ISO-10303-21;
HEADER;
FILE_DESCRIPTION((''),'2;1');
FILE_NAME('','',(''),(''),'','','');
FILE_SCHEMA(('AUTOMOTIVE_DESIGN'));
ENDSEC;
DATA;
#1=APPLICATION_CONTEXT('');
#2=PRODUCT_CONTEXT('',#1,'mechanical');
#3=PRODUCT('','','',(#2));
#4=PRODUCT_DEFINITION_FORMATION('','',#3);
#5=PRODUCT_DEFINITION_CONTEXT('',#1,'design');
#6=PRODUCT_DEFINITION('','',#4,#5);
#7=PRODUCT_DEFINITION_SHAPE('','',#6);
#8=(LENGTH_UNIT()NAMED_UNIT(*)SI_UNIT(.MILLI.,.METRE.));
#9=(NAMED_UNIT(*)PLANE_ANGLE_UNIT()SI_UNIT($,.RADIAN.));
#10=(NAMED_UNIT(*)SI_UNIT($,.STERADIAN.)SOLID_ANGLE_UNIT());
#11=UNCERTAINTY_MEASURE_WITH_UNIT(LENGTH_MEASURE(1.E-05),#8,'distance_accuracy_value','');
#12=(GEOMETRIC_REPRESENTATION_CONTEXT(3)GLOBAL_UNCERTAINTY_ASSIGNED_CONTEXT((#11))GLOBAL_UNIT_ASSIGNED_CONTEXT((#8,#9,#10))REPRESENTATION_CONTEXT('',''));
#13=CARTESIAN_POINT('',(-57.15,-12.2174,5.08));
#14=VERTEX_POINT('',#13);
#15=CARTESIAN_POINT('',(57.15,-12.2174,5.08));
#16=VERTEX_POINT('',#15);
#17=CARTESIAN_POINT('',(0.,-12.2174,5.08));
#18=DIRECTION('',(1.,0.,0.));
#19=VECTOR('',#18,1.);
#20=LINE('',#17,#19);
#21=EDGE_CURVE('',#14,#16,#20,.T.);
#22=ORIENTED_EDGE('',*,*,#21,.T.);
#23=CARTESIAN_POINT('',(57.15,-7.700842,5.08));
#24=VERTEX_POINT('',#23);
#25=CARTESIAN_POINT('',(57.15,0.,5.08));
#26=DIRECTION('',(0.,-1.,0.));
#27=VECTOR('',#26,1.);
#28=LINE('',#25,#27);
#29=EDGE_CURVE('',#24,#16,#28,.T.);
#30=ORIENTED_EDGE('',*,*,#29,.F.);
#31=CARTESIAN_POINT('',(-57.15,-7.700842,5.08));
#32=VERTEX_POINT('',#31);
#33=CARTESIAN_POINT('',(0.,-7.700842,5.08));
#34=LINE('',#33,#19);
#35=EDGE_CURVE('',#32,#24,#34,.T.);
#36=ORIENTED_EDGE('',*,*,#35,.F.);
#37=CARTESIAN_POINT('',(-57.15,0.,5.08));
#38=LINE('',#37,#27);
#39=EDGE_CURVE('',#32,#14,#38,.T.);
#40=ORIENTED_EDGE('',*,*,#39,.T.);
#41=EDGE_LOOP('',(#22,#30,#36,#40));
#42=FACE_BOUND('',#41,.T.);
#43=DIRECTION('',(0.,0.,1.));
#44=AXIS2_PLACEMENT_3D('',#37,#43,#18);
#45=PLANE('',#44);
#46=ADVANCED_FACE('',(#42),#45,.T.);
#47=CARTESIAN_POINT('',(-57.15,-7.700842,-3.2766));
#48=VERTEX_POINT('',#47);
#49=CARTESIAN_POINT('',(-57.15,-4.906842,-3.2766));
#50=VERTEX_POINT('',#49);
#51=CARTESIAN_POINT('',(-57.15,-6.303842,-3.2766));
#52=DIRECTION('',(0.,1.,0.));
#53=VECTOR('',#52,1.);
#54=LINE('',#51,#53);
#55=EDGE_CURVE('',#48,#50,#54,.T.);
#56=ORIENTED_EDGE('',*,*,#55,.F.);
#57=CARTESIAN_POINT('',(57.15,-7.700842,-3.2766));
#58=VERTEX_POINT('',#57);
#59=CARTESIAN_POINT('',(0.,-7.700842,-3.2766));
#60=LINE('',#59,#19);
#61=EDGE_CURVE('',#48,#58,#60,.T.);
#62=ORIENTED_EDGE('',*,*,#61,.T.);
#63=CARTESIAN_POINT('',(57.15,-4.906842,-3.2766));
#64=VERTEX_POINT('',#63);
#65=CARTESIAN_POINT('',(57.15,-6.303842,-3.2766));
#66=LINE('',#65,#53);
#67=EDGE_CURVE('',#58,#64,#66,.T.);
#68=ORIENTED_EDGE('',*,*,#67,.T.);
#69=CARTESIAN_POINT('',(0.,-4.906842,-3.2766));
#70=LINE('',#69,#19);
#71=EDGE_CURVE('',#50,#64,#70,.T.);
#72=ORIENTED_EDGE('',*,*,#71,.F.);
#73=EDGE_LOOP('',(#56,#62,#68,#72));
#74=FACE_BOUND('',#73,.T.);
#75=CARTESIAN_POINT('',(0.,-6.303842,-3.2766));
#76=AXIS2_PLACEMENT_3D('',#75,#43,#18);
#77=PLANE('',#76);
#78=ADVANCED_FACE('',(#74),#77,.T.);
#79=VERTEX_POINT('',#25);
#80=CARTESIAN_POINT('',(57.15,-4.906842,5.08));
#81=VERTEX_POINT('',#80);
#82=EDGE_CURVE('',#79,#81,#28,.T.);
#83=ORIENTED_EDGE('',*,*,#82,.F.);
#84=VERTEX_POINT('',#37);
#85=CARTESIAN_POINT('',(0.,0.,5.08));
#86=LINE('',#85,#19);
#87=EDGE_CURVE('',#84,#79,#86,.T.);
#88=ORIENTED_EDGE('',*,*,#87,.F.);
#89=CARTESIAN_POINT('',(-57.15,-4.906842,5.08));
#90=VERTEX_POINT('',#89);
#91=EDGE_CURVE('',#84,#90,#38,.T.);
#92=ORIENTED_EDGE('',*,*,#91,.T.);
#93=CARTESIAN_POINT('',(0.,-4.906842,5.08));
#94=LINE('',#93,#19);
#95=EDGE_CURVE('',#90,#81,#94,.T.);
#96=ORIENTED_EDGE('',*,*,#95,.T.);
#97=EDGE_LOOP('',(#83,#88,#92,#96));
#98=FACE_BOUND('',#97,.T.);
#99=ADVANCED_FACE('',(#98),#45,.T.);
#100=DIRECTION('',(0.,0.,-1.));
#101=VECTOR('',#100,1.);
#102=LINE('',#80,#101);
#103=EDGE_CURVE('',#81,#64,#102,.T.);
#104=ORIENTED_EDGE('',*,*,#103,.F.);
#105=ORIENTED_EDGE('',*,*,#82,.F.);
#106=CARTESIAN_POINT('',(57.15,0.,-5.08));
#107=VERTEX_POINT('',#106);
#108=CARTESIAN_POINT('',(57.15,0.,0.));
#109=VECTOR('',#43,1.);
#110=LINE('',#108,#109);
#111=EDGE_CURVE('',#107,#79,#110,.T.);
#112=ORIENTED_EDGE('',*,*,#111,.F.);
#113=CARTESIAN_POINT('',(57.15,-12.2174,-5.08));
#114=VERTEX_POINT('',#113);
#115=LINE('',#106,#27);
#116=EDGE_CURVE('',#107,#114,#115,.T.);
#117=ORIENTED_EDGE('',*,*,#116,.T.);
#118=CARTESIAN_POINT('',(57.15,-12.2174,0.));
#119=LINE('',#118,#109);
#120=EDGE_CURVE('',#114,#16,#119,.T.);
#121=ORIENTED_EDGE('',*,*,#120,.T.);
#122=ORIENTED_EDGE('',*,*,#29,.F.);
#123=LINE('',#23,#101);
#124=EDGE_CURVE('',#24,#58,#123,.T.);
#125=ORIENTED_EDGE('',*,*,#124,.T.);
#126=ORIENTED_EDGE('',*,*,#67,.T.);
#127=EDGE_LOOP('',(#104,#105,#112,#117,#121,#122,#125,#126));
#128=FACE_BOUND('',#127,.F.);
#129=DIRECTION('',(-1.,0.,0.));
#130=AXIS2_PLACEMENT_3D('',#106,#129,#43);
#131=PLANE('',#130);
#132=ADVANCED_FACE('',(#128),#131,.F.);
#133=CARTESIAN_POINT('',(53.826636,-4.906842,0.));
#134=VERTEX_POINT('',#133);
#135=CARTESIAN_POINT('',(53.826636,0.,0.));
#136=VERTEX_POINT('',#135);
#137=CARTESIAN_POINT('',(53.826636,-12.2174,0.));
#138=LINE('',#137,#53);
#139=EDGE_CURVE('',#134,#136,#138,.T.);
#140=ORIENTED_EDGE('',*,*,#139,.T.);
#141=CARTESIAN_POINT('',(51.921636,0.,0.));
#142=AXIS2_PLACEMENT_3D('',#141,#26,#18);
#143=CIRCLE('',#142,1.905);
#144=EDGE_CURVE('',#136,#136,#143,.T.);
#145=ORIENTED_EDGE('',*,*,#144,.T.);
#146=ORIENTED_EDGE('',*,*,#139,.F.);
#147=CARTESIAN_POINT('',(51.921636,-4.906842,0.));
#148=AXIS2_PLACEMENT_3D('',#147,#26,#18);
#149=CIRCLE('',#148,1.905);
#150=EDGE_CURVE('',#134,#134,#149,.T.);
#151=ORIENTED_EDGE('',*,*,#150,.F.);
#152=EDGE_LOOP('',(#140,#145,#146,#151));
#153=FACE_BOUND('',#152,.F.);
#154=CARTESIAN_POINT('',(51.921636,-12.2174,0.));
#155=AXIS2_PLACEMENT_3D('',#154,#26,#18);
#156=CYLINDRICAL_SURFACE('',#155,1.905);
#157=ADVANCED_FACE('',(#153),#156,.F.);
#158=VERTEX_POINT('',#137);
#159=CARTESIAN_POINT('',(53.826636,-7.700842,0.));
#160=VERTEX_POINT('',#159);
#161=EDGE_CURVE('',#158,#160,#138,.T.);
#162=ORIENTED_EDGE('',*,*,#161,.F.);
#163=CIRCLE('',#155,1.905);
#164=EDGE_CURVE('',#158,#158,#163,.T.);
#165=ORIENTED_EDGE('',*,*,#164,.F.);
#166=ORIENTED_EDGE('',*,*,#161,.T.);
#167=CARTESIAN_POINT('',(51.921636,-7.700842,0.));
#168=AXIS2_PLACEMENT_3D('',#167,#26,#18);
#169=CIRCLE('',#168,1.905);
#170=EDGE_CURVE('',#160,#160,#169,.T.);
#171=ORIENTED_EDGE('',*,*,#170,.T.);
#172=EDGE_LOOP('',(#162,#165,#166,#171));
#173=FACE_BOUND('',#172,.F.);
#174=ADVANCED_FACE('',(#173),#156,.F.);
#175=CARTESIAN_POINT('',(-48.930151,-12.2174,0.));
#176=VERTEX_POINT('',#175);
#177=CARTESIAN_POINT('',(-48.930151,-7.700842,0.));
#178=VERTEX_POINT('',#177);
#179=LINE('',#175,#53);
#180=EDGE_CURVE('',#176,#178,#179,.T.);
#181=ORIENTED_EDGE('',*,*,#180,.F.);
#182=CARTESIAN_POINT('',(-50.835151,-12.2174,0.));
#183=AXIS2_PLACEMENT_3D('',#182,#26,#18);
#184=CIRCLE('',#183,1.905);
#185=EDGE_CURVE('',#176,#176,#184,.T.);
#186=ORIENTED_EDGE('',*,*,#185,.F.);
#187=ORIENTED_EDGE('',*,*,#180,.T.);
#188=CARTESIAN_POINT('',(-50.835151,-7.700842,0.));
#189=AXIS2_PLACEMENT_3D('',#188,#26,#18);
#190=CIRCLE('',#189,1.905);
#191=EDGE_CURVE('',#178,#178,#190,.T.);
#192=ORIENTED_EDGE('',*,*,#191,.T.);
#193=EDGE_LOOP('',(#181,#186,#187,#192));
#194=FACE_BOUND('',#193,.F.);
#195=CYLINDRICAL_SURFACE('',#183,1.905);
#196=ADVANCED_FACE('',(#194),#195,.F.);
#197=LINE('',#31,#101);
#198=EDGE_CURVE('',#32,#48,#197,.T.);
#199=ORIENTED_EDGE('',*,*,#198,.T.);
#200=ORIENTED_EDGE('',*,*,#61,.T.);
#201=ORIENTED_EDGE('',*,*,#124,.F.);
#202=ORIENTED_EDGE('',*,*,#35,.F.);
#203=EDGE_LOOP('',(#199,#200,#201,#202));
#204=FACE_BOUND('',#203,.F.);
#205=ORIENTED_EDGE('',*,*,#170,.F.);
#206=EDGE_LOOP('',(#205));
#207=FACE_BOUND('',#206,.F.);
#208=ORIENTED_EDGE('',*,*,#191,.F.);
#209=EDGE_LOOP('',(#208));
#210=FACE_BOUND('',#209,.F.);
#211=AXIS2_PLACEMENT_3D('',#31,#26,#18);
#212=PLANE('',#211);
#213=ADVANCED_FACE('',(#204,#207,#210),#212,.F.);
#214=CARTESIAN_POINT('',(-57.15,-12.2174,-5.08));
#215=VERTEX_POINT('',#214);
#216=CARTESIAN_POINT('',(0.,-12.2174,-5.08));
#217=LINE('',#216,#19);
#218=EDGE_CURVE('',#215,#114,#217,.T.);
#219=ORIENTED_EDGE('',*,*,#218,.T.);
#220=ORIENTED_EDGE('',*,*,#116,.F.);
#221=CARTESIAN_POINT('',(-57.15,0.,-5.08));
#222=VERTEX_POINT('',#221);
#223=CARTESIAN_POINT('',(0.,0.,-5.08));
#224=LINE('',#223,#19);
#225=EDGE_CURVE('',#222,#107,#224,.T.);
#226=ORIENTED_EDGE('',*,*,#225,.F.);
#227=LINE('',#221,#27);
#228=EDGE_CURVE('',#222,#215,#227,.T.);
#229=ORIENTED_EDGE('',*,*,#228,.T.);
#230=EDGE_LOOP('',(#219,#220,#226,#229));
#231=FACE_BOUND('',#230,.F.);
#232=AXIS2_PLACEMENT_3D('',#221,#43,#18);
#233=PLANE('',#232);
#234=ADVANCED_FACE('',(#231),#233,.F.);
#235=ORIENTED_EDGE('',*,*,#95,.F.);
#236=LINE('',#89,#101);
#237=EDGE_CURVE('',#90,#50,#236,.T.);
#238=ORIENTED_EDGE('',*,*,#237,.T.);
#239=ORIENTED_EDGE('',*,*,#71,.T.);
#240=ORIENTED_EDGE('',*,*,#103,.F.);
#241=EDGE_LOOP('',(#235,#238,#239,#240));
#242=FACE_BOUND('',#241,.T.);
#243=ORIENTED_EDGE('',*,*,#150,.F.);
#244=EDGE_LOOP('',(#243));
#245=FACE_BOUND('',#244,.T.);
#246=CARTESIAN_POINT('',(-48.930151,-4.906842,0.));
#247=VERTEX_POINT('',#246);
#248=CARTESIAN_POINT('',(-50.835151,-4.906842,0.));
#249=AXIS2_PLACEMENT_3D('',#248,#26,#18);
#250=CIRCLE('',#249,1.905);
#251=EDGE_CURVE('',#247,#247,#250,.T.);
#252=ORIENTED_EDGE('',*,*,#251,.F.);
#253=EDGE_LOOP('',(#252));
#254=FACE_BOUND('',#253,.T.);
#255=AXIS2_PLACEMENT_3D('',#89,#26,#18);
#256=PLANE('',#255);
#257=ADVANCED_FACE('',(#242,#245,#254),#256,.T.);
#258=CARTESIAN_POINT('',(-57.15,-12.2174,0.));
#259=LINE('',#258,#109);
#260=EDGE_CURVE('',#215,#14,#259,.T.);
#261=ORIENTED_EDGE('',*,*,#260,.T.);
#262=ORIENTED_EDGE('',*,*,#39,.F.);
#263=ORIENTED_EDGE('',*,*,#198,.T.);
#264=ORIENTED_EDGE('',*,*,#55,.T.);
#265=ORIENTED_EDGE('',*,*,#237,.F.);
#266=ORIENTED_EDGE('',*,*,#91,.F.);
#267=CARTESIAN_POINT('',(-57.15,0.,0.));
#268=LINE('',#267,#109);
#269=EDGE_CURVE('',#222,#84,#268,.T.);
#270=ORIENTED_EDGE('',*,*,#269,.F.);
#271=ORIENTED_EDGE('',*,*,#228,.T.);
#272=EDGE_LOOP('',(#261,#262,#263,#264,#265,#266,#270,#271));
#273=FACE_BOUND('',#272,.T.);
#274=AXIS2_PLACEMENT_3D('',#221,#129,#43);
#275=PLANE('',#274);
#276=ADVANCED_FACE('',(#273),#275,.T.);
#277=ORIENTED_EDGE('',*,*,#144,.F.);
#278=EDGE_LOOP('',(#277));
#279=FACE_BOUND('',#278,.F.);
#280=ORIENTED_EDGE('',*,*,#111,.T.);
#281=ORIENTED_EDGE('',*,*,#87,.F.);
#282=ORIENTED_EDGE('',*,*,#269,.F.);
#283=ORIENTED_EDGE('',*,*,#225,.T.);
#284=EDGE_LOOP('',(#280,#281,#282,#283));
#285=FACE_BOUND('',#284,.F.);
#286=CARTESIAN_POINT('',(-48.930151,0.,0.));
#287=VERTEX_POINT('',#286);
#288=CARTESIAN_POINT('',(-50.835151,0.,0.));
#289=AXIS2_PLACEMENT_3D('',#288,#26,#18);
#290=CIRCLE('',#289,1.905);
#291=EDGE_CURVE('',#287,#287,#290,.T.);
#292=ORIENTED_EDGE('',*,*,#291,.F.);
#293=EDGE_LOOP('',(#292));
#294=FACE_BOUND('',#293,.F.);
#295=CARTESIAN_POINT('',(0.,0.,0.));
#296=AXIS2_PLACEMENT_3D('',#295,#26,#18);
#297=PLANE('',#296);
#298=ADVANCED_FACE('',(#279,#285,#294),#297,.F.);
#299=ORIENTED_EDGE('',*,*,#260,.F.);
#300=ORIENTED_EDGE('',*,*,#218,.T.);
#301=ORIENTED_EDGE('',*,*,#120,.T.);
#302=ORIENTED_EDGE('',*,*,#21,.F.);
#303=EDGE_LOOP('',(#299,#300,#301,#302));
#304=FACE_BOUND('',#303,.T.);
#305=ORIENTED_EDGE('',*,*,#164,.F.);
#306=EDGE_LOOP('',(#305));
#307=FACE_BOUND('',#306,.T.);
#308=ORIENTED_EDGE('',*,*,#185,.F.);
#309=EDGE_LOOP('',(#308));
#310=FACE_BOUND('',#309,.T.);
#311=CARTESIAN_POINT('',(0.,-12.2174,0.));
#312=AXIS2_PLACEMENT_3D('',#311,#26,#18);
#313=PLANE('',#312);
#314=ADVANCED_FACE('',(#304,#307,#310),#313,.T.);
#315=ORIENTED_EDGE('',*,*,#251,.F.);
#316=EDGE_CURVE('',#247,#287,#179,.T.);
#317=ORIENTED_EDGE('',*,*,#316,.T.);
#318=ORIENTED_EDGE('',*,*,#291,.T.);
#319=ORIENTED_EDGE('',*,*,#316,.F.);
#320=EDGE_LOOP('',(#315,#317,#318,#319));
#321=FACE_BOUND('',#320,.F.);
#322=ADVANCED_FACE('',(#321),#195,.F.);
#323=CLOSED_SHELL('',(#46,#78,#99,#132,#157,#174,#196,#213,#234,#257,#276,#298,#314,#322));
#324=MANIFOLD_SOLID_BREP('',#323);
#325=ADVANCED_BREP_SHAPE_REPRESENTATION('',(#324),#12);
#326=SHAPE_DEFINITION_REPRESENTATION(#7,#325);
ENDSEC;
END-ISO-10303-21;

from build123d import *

# Parameters (mm, degrees)
F0_W     = 114.3
F0_H     = 10.16
F1_DEPTH = 12.2174
F2_W     = 114.3
F2_H     = 2.794
F3_DEPTH = 8.3566
F4_R     = 1.905
F5_DEPTH = 25.4


with BuildPart() as f1:
    # F0 (on Front) → F1 (new body)
    with BuildSketch(Plane.XZ):
        Rectangle(F0_W, F0_H)
    extrude(amount=F1_DEPTH)

    # F2 (on face) → F3 (cut)
    with BuildSketch(Plane.XY.offset(5.08)):
        with Locations((0, -6.303842)):
            Rectangle(F2_W, F2_H)
    extrude(amount=-F3_DEPTH, mode=Mode.SUBTRACT)

    # F4 (on face) → F5 (cut)
    with BuildSketch(Plane.XZ.offset(12.2174)):
        with Locations((-50.835151, 0)):
            Circle(F4_R)
        with Locations((51.921636, 0)):
            Circle(F4_R)
    extrude(amount=-F5_DEPTH, mode=Mode.SUBTRACT)


solid = f1.part
